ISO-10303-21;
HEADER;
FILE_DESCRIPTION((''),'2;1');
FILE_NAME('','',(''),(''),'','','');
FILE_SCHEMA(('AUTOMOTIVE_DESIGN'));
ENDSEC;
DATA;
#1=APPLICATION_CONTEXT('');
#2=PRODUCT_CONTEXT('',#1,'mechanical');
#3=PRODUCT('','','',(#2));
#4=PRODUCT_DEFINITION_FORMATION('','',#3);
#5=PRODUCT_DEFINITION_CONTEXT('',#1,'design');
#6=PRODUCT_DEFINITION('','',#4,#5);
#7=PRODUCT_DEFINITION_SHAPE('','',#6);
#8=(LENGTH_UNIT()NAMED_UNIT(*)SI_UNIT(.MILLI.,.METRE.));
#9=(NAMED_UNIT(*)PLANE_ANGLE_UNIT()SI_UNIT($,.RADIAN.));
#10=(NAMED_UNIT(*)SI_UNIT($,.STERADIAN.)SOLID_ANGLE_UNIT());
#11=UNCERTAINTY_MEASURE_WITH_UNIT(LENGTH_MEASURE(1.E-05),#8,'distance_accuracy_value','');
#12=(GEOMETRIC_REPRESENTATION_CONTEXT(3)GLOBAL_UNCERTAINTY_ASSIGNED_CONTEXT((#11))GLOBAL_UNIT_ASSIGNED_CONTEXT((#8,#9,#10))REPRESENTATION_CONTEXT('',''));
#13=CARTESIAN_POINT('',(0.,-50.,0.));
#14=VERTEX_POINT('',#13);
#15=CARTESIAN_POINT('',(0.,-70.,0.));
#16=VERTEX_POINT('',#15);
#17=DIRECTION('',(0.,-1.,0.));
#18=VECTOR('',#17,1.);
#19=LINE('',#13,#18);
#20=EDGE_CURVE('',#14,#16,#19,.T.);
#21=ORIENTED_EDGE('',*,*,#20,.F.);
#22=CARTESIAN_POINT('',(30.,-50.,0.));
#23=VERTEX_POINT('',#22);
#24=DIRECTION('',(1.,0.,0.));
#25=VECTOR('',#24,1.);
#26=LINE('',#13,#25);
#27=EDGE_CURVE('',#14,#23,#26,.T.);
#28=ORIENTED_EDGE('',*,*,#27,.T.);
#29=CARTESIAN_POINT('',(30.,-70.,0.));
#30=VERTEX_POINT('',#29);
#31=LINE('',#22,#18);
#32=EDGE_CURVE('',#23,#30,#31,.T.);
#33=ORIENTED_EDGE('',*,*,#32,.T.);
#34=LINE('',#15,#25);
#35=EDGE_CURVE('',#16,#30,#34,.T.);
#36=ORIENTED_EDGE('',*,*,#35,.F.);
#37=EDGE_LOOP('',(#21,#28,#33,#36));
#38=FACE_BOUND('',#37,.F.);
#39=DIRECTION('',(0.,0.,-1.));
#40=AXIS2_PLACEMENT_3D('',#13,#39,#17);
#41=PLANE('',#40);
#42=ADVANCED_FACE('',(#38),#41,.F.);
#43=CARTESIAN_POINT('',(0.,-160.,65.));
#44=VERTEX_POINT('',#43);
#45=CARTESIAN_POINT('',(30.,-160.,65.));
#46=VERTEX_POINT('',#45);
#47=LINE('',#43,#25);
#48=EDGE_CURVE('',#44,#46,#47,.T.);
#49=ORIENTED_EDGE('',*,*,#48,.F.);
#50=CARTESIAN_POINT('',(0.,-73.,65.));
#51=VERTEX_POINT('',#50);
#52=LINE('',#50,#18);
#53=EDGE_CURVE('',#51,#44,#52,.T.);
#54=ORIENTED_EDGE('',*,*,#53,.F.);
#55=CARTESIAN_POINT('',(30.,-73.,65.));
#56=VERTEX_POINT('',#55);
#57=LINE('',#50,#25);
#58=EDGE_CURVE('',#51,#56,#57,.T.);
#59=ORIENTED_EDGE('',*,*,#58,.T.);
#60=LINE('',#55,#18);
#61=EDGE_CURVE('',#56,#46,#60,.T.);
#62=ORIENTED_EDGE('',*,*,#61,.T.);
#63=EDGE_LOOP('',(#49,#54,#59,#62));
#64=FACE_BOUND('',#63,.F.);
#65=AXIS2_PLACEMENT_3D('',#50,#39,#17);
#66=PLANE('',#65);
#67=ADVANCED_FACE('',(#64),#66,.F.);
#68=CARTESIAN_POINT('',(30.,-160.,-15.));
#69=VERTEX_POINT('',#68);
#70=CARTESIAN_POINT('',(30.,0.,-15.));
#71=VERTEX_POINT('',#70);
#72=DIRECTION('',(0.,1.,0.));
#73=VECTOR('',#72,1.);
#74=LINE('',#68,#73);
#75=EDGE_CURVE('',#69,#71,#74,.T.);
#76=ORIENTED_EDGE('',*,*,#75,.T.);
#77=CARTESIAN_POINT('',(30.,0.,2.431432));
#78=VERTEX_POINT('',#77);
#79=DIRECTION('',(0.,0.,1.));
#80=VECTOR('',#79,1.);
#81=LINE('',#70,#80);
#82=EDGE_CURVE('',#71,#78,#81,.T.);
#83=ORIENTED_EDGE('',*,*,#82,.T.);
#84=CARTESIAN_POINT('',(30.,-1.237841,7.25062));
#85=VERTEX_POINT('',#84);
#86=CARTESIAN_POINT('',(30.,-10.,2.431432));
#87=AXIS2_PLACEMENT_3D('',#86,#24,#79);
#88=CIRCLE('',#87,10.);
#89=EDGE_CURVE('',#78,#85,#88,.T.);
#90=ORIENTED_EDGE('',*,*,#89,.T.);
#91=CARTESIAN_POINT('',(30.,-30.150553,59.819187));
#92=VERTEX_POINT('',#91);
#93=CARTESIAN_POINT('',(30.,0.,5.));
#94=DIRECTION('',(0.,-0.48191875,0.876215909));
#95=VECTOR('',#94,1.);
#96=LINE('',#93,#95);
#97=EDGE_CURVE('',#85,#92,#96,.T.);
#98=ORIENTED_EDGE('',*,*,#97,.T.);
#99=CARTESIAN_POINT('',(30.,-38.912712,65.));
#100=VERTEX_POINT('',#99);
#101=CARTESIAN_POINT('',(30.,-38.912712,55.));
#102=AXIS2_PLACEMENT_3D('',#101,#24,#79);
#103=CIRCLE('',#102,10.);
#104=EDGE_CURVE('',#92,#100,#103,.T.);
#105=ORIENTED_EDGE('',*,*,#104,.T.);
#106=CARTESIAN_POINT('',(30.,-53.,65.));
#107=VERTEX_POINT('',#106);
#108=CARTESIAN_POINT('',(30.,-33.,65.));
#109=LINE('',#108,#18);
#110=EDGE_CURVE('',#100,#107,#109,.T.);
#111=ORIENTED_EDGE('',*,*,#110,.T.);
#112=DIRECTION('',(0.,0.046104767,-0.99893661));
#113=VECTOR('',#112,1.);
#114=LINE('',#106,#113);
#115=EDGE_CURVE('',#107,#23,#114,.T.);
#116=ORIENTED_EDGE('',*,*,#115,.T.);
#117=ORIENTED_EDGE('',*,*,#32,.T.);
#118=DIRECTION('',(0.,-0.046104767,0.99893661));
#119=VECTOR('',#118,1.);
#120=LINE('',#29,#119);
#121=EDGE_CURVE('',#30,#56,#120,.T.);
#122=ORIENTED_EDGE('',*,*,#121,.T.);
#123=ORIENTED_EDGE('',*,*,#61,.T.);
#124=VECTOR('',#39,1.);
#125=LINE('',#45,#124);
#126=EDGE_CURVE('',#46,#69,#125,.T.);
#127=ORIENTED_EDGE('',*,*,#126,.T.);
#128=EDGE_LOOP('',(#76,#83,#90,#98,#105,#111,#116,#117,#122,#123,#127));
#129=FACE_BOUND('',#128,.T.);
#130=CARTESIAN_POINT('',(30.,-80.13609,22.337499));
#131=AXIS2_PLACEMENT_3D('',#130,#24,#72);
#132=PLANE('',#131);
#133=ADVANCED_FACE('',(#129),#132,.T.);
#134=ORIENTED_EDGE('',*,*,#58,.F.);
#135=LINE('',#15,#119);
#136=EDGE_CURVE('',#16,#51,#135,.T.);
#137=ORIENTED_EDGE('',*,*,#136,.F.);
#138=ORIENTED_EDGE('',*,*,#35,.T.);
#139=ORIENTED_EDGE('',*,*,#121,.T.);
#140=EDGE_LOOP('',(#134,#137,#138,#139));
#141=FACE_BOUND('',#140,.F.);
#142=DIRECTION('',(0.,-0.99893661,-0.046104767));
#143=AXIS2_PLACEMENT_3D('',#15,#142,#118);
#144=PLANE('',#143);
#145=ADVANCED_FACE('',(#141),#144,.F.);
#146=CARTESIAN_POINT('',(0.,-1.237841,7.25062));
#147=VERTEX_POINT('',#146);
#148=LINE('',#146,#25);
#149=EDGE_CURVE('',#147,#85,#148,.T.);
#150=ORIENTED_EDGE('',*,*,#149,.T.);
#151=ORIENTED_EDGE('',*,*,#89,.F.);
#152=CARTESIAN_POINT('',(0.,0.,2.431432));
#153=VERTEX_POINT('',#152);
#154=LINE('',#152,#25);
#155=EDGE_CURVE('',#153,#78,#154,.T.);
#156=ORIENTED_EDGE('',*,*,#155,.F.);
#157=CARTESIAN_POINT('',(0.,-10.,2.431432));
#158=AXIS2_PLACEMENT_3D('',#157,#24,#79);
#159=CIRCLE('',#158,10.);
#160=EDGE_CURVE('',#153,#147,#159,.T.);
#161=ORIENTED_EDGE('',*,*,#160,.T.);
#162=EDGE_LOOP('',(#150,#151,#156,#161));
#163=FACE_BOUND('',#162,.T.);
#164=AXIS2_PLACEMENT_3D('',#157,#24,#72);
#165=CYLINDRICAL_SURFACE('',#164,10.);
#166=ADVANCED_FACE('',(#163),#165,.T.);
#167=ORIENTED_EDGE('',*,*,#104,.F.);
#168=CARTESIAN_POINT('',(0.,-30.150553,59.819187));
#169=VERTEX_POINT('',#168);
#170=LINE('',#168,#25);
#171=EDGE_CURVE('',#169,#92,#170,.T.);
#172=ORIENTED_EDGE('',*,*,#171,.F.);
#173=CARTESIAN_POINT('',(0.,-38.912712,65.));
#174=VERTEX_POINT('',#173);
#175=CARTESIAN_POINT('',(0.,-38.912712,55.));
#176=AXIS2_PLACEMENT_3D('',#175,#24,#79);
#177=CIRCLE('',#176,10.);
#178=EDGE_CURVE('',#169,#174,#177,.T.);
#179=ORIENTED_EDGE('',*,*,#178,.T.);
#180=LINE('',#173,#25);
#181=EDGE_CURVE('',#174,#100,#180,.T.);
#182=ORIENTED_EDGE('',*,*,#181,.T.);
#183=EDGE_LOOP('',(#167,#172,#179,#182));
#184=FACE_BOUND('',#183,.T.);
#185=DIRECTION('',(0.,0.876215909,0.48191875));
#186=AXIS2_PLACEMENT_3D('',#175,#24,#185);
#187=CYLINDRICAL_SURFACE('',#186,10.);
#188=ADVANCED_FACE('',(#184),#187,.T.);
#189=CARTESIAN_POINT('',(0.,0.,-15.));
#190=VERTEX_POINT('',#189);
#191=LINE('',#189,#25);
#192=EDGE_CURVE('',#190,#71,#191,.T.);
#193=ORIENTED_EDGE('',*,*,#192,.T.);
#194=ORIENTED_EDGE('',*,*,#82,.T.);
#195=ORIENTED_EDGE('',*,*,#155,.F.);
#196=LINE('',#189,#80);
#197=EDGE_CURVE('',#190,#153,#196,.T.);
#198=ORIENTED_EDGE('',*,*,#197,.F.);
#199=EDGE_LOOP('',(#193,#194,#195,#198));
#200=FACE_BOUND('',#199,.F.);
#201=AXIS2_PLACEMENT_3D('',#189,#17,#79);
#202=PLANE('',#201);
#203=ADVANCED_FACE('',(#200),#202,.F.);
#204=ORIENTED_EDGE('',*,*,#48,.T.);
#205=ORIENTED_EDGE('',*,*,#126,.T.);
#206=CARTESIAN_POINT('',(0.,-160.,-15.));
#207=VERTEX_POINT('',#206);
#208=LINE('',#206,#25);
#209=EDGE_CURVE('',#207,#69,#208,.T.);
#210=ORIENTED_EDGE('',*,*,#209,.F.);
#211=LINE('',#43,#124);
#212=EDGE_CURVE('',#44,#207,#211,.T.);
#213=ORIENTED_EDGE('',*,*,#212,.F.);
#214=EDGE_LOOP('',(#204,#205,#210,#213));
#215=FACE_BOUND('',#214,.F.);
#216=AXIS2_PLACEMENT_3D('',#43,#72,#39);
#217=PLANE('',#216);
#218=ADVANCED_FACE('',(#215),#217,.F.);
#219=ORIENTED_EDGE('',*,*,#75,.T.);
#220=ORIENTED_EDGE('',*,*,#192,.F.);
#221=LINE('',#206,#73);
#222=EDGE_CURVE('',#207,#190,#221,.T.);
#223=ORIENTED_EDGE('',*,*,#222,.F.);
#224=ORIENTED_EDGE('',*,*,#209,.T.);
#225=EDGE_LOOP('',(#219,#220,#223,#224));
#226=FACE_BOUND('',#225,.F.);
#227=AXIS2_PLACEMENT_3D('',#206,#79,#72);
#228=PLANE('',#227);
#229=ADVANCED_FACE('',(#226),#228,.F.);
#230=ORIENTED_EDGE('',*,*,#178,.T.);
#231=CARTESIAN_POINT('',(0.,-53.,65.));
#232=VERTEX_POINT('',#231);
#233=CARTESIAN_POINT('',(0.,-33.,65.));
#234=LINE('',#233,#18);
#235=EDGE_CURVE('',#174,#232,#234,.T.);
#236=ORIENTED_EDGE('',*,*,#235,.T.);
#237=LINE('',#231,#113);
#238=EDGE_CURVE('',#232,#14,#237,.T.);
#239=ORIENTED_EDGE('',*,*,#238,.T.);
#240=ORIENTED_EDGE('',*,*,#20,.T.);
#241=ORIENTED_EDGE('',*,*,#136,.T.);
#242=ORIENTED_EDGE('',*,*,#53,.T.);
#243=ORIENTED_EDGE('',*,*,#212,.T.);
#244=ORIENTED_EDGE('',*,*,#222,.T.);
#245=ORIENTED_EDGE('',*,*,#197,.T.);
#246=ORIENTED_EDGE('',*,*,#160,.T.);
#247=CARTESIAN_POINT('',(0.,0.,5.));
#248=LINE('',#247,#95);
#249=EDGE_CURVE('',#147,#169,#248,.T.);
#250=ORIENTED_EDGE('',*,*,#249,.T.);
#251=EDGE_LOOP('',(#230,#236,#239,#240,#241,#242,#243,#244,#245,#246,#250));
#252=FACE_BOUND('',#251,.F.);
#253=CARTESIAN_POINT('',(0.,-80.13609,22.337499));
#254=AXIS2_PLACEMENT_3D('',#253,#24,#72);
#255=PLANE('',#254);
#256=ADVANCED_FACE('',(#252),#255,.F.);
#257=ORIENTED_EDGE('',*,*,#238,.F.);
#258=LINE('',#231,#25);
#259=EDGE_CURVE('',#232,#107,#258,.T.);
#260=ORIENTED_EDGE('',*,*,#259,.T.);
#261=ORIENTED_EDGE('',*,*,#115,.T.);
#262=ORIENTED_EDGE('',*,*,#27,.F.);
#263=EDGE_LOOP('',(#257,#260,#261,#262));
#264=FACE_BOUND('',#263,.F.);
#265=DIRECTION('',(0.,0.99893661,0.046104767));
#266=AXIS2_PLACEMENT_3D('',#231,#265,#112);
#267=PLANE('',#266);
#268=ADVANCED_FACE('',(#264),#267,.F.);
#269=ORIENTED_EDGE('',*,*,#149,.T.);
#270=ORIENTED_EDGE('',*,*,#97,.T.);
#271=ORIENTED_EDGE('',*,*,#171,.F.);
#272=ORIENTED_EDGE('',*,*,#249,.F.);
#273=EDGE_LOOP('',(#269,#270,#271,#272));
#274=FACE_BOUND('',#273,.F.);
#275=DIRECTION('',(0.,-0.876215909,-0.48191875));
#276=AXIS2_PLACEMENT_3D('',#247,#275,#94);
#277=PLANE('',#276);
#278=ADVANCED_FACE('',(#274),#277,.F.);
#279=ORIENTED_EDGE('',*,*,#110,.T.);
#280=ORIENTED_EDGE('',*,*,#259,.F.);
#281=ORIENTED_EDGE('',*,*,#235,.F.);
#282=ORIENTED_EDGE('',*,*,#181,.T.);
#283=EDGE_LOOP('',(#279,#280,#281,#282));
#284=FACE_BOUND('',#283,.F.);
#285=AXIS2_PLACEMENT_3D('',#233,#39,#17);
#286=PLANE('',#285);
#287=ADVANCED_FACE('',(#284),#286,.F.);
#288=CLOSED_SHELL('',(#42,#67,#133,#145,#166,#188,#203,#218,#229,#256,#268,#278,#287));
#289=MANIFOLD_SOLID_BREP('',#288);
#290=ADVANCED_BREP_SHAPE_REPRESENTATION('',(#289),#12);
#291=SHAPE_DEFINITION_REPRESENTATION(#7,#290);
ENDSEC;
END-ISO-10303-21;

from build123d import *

# Parameters (mm, degrees)
F1_DEPTH = 30
F2_R     = 10


with BuildPart() as f1:
    # F0 (on Right) → F1 (new body)
    with BuildSketch(Plane.YZ):
        Polygon((-160, 65), (-160, 0), (-160, -15), (0, -15), (0, 5), (-33, 65), (-53, 65), (-50, 0), (-70, 0), (-73, 65), align=None)
    extrude(amount=F1_DEPTH)

    # F2
    f2_edges = [f1.edges().sort_by_distance(p)[0] for p in [
        (15, -33, 65),
        (15, 0, 5),
    ]]
    fillet(f2_edges, radius=F2_R)


solid = f1.part
